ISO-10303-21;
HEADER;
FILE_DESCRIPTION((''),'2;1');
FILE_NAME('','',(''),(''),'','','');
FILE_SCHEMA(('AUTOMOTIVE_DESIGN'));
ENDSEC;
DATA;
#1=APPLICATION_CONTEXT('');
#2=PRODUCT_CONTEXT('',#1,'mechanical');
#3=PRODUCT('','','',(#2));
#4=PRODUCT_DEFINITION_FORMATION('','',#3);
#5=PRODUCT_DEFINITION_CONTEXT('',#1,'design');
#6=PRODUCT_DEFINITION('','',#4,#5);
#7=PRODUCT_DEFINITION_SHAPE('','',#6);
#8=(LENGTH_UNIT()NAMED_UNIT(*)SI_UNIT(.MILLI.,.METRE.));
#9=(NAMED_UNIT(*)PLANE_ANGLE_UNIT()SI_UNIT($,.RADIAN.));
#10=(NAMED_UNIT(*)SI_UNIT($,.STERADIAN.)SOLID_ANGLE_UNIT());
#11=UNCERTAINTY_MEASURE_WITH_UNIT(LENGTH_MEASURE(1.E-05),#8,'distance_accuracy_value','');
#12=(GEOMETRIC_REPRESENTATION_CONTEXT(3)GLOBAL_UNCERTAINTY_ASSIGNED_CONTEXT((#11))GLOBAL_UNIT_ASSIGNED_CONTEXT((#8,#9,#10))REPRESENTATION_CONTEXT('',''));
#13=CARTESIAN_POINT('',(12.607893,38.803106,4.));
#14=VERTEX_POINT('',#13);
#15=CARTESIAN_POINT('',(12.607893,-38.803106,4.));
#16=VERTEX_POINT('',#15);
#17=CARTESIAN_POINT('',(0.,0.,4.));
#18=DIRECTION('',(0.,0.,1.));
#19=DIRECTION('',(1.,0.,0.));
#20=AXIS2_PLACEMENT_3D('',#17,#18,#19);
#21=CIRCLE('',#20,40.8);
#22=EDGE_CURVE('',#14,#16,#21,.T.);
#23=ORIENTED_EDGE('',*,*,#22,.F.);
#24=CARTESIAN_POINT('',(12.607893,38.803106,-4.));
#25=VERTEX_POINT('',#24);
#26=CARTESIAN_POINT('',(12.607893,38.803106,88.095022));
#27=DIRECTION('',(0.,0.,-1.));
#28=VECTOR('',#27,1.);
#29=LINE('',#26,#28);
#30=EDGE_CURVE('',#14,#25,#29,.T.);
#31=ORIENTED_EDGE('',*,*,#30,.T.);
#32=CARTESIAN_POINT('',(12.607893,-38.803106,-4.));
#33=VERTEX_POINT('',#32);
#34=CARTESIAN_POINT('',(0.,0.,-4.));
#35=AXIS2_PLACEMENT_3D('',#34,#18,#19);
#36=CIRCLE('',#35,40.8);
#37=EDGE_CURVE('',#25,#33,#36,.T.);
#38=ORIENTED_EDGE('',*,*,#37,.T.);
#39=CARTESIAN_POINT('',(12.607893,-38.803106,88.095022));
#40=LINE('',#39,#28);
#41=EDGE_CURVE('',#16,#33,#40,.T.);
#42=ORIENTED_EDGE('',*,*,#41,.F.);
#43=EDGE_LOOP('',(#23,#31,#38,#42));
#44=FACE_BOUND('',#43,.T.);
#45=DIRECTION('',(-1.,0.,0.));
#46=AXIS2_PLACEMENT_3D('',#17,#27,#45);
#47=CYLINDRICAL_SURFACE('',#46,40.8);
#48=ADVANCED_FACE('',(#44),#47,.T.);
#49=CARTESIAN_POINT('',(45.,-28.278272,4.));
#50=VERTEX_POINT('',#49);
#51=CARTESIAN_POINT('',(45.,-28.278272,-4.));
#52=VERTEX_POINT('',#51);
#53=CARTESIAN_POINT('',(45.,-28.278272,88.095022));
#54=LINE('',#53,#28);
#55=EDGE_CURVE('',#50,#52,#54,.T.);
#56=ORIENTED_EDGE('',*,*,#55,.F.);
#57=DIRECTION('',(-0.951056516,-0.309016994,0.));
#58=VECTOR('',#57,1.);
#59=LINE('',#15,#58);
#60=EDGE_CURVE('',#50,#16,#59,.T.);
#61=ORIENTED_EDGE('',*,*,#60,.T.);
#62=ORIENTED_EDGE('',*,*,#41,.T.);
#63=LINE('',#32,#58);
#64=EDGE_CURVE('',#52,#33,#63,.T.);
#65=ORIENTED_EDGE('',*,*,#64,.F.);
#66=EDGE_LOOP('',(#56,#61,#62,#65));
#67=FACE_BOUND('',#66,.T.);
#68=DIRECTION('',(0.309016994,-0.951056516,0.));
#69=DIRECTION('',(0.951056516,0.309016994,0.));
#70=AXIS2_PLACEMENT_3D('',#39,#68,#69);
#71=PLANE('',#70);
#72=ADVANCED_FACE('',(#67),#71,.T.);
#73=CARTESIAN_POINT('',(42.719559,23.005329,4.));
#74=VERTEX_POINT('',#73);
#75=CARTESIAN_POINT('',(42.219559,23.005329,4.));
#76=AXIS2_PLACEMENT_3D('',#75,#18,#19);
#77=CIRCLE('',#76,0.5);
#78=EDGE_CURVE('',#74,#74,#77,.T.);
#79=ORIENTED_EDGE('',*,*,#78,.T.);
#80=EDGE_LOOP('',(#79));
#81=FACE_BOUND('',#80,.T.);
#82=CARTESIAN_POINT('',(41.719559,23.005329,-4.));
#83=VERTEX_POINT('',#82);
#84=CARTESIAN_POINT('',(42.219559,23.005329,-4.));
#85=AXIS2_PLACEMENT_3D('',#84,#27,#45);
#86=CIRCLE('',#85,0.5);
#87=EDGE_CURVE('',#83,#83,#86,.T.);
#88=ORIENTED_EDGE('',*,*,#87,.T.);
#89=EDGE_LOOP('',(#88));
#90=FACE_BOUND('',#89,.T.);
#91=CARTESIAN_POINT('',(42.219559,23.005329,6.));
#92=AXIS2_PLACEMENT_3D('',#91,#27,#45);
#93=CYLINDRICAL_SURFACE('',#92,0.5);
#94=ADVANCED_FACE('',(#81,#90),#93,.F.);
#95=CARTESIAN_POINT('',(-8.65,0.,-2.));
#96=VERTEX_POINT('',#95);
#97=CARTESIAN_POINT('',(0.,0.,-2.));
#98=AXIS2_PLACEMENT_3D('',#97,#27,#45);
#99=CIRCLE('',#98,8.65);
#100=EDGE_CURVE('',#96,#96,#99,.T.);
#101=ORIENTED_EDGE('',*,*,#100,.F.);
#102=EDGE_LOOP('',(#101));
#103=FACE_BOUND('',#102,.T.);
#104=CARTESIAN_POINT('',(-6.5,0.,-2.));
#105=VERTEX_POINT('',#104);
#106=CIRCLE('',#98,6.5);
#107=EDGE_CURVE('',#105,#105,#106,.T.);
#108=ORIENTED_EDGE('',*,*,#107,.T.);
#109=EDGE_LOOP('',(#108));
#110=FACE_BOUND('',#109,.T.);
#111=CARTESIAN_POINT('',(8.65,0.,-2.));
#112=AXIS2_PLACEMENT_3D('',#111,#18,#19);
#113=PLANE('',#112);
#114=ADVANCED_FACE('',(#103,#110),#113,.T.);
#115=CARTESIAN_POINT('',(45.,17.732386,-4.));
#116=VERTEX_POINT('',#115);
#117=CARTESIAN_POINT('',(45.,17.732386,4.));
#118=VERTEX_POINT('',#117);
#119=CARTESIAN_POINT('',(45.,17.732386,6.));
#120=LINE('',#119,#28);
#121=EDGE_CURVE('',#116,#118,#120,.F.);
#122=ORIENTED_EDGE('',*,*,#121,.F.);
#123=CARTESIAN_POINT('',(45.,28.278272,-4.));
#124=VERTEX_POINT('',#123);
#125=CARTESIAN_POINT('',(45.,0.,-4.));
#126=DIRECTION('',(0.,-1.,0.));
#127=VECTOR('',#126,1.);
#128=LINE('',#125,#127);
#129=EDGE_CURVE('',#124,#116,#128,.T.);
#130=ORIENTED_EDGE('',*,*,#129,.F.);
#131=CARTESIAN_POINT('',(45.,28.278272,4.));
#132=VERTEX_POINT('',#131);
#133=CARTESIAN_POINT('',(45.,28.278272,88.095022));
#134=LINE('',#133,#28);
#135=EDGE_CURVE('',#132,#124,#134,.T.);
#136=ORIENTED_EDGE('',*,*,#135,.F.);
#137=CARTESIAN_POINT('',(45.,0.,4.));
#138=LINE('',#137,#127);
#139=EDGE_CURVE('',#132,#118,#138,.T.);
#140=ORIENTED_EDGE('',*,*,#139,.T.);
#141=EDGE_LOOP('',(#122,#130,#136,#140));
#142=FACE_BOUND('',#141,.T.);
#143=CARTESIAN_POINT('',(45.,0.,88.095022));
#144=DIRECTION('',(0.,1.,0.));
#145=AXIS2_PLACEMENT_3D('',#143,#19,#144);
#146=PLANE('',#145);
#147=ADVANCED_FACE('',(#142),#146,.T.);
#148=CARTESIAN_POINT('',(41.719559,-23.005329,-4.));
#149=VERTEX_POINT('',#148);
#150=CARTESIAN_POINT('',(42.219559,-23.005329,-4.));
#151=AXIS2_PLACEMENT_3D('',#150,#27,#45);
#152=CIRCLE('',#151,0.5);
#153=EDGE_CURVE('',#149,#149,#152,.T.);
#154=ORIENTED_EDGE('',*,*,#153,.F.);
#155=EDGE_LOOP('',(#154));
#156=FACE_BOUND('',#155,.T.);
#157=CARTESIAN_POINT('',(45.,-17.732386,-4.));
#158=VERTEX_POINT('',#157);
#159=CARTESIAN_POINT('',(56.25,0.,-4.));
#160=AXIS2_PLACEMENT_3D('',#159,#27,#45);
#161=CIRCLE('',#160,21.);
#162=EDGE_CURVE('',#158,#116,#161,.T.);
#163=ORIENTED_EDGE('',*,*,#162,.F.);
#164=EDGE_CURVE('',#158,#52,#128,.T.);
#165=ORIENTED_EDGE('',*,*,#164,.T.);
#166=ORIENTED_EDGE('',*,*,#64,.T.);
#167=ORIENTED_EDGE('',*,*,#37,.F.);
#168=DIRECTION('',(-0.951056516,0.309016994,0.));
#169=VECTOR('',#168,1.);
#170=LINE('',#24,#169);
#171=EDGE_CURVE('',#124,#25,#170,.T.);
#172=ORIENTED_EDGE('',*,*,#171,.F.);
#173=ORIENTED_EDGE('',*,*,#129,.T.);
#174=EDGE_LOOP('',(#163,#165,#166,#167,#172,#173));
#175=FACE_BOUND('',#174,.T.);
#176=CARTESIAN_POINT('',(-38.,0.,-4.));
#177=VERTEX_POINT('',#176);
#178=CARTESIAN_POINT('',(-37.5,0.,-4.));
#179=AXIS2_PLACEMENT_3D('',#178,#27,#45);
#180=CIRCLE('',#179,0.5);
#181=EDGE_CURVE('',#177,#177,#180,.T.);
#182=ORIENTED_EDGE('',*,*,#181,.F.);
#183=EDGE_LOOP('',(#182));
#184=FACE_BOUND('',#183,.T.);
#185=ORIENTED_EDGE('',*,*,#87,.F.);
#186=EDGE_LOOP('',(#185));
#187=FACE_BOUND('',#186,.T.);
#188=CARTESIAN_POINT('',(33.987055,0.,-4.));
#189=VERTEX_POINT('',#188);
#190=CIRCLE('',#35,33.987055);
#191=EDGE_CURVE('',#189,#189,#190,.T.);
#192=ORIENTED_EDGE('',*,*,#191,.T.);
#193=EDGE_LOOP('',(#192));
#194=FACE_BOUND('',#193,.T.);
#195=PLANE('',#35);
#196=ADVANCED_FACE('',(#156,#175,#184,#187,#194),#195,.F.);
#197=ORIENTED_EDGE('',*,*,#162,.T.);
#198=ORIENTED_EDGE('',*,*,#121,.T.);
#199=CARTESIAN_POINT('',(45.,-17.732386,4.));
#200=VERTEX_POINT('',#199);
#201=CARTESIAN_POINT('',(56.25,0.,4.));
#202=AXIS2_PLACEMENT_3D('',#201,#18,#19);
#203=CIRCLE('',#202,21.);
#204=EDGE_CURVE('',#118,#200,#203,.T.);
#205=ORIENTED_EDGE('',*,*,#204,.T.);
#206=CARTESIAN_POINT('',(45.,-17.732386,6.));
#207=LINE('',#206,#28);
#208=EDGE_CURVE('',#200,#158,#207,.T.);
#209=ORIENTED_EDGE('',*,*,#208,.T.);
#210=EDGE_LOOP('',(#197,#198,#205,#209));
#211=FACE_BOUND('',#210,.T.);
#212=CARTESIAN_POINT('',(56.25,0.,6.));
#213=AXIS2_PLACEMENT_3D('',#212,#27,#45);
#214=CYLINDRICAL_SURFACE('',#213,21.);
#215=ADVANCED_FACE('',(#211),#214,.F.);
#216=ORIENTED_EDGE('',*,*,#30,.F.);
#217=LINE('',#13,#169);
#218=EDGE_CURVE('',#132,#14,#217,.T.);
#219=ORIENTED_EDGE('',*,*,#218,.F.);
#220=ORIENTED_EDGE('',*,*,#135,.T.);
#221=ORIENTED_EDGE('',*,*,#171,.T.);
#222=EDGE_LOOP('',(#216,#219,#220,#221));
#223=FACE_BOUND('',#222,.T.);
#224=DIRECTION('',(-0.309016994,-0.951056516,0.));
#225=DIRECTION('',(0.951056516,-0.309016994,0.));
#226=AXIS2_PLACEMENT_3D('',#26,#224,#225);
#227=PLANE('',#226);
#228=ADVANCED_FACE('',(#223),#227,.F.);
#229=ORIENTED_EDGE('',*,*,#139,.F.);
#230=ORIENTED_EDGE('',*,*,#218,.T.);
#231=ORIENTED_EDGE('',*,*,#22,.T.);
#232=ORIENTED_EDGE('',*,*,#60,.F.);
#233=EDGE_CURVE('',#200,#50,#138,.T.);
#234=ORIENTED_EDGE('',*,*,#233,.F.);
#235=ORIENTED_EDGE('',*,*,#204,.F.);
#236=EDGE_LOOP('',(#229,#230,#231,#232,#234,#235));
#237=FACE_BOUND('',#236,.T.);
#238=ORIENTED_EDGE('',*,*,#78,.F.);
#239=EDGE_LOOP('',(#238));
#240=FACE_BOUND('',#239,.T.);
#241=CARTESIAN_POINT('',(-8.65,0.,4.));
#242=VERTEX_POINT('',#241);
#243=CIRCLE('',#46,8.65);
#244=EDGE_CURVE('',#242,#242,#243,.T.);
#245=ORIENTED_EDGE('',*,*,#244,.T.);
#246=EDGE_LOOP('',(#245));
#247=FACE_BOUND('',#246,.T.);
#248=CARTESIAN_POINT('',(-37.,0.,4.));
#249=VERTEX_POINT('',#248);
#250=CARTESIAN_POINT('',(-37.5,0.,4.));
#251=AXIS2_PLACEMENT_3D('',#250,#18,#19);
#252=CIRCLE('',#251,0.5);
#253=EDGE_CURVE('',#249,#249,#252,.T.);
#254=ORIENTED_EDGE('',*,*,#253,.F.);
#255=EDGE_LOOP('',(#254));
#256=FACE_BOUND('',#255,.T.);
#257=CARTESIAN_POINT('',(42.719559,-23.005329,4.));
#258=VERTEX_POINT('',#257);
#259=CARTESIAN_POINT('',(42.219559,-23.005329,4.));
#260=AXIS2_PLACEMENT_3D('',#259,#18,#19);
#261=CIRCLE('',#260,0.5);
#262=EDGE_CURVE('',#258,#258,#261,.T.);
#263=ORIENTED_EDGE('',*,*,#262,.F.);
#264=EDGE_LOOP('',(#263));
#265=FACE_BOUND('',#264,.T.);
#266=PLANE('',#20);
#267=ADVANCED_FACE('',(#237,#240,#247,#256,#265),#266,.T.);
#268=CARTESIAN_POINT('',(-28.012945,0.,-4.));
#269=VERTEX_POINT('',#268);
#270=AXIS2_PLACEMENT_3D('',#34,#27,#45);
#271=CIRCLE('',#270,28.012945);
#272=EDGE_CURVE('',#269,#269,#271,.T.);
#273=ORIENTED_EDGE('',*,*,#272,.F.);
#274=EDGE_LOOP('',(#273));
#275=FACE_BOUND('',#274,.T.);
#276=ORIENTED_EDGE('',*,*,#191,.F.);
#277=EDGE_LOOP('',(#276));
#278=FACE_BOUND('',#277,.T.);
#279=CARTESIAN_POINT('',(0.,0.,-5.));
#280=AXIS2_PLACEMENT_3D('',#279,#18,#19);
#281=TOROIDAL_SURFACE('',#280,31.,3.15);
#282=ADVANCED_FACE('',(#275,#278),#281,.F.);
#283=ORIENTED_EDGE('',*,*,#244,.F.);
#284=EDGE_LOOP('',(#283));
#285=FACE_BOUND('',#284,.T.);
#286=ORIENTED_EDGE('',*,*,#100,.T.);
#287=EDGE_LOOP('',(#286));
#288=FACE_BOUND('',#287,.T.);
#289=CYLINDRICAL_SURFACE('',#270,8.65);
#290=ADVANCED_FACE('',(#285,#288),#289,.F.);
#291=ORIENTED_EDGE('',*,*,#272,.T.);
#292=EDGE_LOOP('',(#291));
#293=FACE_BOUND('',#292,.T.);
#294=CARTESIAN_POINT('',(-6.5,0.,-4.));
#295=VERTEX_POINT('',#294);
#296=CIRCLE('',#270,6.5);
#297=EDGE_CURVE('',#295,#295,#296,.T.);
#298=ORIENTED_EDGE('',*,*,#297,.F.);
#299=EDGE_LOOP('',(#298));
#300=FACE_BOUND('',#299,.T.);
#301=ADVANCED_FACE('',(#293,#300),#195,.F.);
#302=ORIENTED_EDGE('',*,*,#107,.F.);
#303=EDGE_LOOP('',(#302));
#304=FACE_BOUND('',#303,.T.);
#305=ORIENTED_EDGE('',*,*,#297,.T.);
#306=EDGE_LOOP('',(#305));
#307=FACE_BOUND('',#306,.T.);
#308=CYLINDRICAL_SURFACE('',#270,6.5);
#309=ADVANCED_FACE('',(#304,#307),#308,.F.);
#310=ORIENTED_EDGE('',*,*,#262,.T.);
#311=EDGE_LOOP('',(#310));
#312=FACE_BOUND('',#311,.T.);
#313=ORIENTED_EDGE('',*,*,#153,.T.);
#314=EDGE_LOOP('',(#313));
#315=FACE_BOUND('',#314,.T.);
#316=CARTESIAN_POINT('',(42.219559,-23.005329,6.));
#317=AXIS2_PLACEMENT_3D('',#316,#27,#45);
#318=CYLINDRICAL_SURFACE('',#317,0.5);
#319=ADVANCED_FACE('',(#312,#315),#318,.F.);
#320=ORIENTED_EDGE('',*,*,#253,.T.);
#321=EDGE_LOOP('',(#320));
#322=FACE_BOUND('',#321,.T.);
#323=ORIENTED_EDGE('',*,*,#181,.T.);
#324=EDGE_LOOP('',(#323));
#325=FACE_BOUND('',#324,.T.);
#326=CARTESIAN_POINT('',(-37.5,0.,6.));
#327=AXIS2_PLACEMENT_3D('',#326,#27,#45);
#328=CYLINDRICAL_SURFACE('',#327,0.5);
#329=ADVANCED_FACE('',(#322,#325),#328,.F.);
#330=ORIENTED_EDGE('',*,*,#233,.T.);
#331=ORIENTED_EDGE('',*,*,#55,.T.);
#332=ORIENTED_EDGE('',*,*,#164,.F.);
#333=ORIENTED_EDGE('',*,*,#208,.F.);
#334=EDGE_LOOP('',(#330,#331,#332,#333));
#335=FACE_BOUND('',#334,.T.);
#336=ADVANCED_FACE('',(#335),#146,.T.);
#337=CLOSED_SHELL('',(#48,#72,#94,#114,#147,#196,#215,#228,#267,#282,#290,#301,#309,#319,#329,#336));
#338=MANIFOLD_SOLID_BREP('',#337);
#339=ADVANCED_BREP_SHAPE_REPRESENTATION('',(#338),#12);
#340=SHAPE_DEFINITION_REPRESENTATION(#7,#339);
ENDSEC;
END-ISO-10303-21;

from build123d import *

# Parameters (mm, degrees)
SKETCH_1_R          = 40.8
EXTRUDE_1_DEPTH     = 4
SKETCH_3_R          = 3.15
CUT_EXTRUDE_1_DEPTH = 10
EXTRUDE_START       = -8
EXTRUDE_3_DEPTH     = 8
SKETCH_6_R          = 21
CUT_EXTRUDE_2_DEPTH = 10
SKETCH_7_R          = 0.5
CUT_EXTRUDE_3_DEPTH = 10


with BuildPart() as part:
    # 草图1 → 凸台-拉伸1 (new, symmetric)
    with BuildSketch(Plane.XY):
        Circle(SKETCH_1_R)
    extrude(amount=EXTRUDE_1_DEPTH, both=True)

    # 草图2 → 切除-旋转2 (revolve, cut)
    with BuildSketch(Plane(origin=(0, 0, 0), x_dir=(1, 0, 0), z_dir=(0, 1, 0)), mode=Mode.PRIVATE) as cut_revolve_2_sk:
        Polygon((0, 4), (0, -4), (8.65, -4), (8.65, 2), (6.5, 2), (6.5, 4), align=None)
    revolve(cut_revolve_2_sk.sketch.rotate(Axis((0, 0, -4), (0, 0, 1)), 180), axis=Axis((0, 0, -4), (0, 0, 1)), mode=Mode.SUBTRACT)

    # 草图3 → 切除-旋转3 (revolve, cut)
    with BuildSketch(Plane(origin=(0, 0, 0), x_dir=(1, 0, 0), z_dir=(0, 1, 0))):
        with Locations((31, 5)):
            Circle(SKETCH_3_R)
    revolve(axis=Axis((0, 0, 0), (0, 0, -1)), mode=Mode.SUBTRACT)

    # 草图4 → 切除-拉伸1 (cut)
    with BuildSketch(Plane(origin=(0, 0, -4), x_dir=(-1, 0, 0), z_dir=(0, 0, -1))):
        Polygon((-36, 19.2), (-36, -19.2), (-40.8, -19.2), (-40.8, 0), (-40.8, 19.2), align=None)
    extrude(amount=-CUT_EXTRUDE_1_DEPTH, mode=Mode.SUBTRACT)

    # 草图5 → 凸台-拉伸3 (add)
    with BuildSketch(Plane(origin=(0, 0, -4), x_dir=(-1, 0, 0), z_dir=(0, 0, -1)).offset(EXTRUDE_START)):
        with BuildLine():
            Line((-12.60789337, 38.803105865), (-45, 28.278272418))
            Line((-45, 28.278272418), (-45, -28.278272418))
            Line((-45, -28.278272418), (-12.60789337, -38.803105865))
            ThreePointArc((-12.60789337, -38.803105865), (-24.80809717, -32.391330859), (-34.177392951, -22.283307903))
            Line((-34.177392951, -22.283307903), (-34.876380269, 21.172578948))
            ThreePointArc((-34.876380269, 21.172578948), (-25.32583524, 31.988155142), (-12.60789337, 38.803105865))
        make_face()
    extrude(amount=EXTRUDE_3_DEPTH)

    # 草图6 → 切除-拉伸2 (cut)
    with BuildSketch(Plane(origin=(0, 0, -4), x_dir=(-1, 0, 0), z_dir=(0, 0, -1))):
        with Locations((-56.25, 0)):
            Circle(SKETCH_6_R)
    extrude(amount=-CUT_EXTRUDE_2_DEPTH, mode=Mode.SUBTRACT)

    # 草图7 → 切除-拉伸3 (cut)
    with BuildSketch(Plane(origin=(0, 0, -4), x_dir=(-1, 0, 0), z_dir=(0, 0, -1))):
        with Locations((-42.219558781, 23.005329022)):
            Circle(SKETCH_7_R)
        with Locations((-42.219558781, -23.005329022)):
            Circle(SKETCH_7_R)
        with Locations((37.5, 0)):
            Circle(SKETCH_7_R)
    extrude(amount=-CUT_EXTRUDE_3_DEPTH, mode=Mode.SUBTRACT)


solid = part.part
